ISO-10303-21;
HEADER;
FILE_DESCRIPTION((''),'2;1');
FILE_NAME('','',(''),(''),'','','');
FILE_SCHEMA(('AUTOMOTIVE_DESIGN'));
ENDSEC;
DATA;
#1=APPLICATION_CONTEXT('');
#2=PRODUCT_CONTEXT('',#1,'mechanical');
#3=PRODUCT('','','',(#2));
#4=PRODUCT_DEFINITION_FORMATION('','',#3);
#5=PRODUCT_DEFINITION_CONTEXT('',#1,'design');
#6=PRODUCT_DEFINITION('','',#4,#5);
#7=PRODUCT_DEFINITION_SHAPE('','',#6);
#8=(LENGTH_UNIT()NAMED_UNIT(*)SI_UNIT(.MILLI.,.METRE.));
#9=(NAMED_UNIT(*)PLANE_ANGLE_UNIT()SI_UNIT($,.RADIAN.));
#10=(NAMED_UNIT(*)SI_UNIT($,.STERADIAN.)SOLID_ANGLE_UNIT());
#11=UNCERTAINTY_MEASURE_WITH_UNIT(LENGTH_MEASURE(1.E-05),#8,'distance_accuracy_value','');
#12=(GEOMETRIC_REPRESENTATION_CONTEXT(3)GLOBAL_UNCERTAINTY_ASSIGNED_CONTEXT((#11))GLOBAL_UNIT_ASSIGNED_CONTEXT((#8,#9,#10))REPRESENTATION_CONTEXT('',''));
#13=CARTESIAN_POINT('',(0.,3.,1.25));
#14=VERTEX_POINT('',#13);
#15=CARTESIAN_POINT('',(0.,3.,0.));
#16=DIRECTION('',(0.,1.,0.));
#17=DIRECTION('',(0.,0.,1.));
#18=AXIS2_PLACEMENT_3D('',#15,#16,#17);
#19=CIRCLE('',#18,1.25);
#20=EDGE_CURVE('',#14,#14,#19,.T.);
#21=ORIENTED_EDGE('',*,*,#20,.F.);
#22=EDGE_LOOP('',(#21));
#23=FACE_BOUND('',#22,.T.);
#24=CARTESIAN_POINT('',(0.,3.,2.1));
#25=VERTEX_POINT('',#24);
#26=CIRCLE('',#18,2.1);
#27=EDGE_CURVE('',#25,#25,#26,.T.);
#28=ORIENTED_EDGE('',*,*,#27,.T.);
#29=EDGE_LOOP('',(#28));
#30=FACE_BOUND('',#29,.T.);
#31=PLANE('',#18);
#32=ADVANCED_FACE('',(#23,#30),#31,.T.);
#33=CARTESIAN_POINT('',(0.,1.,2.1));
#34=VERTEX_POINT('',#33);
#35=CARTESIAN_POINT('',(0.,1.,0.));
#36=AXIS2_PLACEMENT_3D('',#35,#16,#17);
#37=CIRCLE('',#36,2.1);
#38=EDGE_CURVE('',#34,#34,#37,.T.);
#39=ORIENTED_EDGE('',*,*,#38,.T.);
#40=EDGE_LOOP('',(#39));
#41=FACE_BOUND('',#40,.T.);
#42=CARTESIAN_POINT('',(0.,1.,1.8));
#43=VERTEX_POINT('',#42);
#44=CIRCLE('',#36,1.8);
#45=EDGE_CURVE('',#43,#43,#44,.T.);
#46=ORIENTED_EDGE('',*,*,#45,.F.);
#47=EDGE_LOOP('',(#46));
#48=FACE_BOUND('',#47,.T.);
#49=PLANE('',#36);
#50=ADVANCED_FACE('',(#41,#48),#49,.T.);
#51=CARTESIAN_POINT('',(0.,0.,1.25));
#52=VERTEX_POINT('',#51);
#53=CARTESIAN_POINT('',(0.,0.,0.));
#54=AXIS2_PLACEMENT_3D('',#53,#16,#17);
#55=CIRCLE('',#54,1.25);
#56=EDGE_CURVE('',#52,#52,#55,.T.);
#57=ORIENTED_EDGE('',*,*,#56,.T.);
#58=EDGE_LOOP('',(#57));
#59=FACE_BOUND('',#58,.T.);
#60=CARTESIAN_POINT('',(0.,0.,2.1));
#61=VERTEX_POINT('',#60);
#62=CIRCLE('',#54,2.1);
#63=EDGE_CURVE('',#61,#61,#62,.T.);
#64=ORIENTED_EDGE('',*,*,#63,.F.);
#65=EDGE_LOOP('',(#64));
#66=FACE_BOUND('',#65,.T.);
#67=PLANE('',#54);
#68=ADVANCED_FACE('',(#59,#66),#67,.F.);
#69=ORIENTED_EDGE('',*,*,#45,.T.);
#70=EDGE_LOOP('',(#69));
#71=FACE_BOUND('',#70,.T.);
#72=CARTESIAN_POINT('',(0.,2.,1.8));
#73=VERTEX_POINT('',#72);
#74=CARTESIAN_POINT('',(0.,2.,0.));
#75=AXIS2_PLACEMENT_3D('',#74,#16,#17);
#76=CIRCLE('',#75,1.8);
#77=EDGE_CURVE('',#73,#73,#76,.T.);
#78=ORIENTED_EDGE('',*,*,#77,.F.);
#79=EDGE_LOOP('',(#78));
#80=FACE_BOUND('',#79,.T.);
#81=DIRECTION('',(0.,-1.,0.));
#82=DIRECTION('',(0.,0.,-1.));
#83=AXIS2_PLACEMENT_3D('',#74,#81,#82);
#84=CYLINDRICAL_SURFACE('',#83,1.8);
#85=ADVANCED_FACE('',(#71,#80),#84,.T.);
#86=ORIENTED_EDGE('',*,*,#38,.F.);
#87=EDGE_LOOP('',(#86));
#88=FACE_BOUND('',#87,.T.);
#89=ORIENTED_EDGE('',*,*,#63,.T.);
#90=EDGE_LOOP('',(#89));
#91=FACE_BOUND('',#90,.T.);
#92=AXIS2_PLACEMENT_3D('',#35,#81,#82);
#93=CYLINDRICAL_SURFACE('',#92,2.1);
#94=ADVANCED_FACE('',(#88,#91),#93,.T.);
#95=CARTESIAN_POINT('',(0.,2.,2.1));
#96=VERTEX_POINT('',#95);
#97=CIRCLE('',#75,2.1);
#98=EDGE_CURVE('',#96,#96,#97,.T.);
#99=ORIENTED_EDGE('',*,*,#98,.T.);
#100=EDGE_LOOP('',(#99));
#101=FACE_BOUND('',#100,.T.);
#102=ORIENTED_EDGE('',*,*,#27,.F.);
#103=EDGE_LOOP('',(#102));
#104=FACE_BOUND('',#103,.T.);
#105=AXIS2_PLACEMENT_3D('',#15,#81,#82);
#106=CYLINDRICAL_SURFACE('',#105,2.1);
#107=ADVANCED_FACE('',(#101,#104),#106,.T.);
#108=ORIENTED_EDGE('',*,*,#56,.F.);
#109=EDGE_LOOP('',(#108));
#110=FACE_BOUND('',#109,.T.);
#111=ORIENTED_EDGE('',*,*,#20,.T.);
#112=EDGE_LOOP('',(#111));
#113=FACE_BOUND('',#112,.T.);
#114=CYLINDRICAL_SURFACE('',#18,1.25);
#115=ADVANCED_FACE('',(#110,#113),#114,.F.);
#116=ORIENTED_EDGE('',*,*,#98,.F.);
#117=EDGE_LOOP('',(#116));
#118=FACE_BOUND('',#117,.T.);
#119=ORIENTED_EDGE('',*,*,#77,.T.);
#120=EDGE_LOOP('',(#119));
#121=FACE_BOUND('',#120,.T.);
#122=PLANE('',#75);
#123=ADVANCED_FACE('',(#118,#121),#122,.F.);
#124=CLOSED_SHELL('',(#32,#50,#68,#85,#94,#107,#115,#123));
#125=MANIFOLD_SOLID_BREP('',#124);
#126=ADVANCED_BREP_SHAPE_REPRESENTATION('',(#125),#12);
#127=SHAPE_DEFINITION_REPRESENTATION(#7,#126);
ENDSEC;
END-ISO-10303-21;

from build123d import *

# Parameters (mm, degrees)
SKETCH_1_R         = 2.1
EXTRUDE_1_DEPTH    = 1
SKETCH_2_R         = 1.8
EXTRUDE_2_DEPTH    = 1
SKETCH_3_R         = 2.1
EXTRUDE_3_DEPTH    = 1
HOLE_WIZARD_M3_1_D = 2.5


with BuildPart() as part:
    # 草图1 → 凸台-拉伸1 (new body)
    with BuildSketch(Plane(origin=(0, 0, 0), x_dir=(1, 0, 0), z_dir=(0, 1, 0))):
        with Locations(Location((0, 0, 0), (0, 0, 270))):
            Circle(SKETCH_1_R)
    extrude(amount=EXTRUDE_1_DEPTH)

    # 草图2 → 凸台-拉伸2 (add)
    with BuildSketch(Plane(origin=(0, 1, 0), x_dir=(1, 0, 0), z_dir=(0, 1, 0))):
        with Locations(Location((0, 0, 0), (0, 0, 270))):
            Circle(SKETCH_2_R)
    extrude(amount=EXTRUDE_2_DEPTH)

    # 草图3 → 凸台-拉伸3 (add)
    with BuildSketch(Plane(origin=(0, 2, 0), x_dir=(1, 0, 0), z_dir=(0, 1, 0))):
        with Locations(Location((0, 0, 0), (0, 0, 270))):
            Circle(SKETCH_3_R)
    extrude(amount=EXTRUDE_3_DEPTH)

    # M3 螺纹孔1 (through all)
    with Locations(Plane(origin=(0, 3, 0), x_dir=(1, 0, 0), z_dir=(0, 1, 0))):
        with Locations((0, 0)):
            Hole(HOLE_WIZARD_M3_1_D / 2)


solid = part.part
